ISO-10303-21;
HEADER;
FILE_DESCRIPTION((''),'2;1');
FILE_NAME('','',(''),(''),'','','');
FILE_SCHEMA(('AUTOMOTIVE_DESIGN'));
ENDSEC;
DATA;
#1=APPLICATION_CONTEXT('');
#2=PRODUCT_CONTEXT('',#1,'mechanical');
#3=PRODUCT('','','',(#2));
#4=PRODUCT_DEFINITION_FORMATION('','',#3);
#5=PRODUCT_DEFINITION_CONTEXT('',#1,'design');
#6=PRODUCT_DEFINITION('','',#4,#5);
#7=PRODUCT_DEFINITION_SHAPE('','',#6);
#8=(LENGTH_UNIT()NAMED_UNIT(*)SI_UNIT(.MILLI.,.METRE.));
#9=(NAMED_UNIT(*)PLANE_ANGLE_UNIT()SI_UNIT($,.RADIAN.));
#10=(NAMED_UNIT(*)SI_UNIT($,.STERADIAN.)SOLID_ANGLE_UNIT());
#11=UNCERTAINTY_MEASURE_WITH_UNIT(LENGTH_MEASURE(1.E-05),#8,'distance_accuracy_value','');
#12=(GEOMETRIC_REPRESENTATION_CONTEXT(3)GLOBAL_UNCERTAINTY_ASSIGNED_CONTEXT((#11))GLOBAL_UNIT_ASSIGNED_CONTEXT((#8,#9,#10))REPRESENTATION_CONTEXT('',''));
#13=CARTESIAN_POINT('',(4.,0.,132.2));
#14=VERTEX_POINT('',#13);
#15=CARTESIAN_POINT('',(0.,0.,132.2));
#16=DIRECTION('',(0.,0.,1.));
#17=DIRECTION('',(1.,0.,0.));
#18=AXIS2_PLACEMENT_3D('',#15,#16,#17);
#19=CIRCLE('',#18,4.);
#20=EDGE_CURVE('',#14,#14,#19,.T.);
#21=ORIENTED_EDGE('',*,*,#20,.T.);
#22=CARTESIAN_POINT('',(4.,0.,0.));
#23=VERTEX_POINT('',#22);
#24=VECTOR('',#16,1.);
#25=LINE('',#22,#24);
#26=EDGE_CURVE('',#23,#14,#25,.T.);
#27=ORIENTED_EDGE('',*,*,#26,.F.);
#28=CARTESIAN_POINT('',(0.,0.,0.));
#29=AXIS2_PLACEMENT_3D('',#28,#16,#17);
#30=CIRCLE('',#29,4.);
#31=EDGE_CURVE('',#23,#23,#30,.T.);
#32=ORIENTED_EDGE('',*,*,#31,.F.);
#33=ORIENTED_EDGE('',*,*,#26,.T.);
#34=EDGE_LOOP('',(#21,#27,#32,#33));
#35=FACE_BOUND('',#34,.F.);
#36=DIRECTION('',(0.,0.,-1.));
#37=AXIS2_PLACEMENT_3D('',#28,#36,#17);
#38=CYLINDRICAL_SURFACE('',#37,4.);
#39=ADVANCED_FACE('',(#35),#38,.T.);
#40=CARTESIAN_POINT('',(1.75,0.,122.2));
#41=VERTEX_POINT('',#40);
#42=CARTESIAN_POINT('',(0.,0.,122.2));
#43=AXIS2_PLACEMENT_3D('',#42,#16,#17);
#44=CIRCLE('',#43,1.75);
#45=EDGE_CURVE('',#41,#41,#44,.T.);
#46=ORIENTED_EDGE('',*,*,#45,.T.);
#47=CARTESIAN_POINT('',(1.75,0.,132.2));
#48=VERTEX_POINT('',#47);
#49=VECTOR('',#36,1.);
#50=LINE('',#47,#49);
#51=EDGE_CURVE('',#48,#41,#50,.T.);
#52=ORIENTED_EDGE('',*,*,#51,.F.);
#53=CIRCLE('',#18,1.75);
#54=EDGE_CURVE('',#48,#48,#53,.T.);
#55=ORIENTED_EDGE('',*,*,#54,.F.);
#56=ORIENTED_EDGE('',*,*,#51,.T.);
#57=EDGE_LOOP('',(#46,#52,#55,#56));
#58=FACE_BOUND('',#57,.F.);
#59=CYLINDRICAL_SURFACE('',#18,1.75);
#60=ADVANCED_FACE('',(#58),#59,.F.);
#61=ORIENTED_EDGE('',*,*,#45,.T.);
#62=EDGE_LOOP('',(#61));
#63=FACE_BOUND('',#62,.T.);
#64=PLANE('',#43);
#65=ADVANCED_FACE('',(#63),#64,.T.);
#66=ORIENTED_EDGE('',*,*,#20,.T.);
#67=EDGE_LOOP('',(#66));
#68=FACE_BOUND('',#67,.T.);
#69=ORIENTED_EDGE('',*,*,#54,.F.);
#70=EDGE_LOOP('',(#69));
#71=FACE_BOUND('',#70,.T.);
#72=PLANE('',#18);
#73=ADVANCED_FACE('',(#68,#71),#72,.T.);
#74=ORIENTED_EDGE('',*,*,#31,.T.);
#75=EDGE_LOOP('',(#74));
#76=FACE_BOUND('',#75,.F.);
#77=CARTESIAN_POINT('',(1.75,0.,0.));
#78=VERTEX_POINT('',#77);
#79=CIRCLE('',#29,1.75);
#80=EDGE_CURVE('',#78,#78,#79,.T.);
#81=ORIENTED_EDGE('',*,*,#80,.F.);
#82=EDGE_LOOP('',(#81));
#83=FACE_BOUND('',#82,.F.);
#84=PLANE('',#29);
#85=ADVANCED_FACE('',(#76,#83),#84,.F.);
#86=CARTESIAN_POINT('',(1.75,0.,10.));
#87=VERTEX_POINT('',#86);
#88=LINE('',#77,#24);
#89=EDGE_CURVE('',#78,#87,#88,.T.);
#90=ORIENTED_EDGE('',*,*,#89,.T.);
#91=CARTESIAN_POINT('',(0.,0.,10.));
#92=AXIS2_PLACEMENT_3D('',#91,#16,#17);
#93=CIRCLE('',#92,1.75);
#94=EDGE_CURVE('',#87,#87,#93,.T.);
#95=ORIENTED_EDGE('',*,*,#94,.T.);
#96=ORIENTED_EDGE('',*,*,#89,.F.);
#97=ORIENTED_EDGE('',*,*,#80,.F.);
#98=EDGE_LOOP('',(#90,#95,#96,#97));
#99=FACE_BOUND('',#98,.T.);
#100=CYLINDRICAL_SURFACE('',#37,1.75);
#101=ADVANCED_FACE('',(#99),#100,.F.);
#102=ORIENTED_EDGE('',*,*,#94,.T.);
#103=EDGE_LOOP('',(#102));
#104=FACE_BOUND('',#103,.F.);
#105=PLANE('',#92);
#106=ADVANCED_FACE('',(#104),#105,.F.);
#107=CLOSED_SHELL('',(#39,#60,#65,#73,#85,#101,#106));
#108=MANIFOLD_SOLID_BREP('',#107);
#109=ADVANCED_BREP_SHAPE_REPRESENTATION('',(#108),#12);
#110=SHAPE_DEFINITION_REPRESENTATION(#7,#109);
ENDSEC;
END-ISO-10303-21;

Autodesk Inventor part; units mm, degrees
ref_plane "YZ Plane" through (0, 0, 0) normal (1, 0, 0) x (0, 1, 0)
ref_plane "XZ Plane" through (0, 0, 0) normal (0, 1, 0) x (-1, 0, 0)
ref_plane "XY Plane" through (0, 0, 0) normal (0, 0, 1) x (1, 0, 0)
sketch "スケッチ1" plane through (0, 0, 0) normal (0, 0, 1) x (1, 0, 0)
  circle A0 centre (0, 0) radius 4
  circle A1 centre (0, 0) radius 1.75
  dimension "d0" = 8
  dimension "d1" = 3.5
extrude "押し出し1" add sketch "スケッチ1" along normal blind 132.2 contours A0 | A1
extrude "押し出し2" cut sketch "スケッチ1" along normal blind 10 contours A1
sketch "スケッチ2" plane through (0, 0, 132.2) normal (0, 0, 1) x (1, 0, 0)
  circle A0 centre (0, 0) radius 1.75
  dimension "d6" = 3.5
extrude "押し出し3" cut sketch "スケッチ2" against normal blind 10
equation "\"d6\" = d1"
properties part number "棒" material "アルミニウム 2014-T4"
